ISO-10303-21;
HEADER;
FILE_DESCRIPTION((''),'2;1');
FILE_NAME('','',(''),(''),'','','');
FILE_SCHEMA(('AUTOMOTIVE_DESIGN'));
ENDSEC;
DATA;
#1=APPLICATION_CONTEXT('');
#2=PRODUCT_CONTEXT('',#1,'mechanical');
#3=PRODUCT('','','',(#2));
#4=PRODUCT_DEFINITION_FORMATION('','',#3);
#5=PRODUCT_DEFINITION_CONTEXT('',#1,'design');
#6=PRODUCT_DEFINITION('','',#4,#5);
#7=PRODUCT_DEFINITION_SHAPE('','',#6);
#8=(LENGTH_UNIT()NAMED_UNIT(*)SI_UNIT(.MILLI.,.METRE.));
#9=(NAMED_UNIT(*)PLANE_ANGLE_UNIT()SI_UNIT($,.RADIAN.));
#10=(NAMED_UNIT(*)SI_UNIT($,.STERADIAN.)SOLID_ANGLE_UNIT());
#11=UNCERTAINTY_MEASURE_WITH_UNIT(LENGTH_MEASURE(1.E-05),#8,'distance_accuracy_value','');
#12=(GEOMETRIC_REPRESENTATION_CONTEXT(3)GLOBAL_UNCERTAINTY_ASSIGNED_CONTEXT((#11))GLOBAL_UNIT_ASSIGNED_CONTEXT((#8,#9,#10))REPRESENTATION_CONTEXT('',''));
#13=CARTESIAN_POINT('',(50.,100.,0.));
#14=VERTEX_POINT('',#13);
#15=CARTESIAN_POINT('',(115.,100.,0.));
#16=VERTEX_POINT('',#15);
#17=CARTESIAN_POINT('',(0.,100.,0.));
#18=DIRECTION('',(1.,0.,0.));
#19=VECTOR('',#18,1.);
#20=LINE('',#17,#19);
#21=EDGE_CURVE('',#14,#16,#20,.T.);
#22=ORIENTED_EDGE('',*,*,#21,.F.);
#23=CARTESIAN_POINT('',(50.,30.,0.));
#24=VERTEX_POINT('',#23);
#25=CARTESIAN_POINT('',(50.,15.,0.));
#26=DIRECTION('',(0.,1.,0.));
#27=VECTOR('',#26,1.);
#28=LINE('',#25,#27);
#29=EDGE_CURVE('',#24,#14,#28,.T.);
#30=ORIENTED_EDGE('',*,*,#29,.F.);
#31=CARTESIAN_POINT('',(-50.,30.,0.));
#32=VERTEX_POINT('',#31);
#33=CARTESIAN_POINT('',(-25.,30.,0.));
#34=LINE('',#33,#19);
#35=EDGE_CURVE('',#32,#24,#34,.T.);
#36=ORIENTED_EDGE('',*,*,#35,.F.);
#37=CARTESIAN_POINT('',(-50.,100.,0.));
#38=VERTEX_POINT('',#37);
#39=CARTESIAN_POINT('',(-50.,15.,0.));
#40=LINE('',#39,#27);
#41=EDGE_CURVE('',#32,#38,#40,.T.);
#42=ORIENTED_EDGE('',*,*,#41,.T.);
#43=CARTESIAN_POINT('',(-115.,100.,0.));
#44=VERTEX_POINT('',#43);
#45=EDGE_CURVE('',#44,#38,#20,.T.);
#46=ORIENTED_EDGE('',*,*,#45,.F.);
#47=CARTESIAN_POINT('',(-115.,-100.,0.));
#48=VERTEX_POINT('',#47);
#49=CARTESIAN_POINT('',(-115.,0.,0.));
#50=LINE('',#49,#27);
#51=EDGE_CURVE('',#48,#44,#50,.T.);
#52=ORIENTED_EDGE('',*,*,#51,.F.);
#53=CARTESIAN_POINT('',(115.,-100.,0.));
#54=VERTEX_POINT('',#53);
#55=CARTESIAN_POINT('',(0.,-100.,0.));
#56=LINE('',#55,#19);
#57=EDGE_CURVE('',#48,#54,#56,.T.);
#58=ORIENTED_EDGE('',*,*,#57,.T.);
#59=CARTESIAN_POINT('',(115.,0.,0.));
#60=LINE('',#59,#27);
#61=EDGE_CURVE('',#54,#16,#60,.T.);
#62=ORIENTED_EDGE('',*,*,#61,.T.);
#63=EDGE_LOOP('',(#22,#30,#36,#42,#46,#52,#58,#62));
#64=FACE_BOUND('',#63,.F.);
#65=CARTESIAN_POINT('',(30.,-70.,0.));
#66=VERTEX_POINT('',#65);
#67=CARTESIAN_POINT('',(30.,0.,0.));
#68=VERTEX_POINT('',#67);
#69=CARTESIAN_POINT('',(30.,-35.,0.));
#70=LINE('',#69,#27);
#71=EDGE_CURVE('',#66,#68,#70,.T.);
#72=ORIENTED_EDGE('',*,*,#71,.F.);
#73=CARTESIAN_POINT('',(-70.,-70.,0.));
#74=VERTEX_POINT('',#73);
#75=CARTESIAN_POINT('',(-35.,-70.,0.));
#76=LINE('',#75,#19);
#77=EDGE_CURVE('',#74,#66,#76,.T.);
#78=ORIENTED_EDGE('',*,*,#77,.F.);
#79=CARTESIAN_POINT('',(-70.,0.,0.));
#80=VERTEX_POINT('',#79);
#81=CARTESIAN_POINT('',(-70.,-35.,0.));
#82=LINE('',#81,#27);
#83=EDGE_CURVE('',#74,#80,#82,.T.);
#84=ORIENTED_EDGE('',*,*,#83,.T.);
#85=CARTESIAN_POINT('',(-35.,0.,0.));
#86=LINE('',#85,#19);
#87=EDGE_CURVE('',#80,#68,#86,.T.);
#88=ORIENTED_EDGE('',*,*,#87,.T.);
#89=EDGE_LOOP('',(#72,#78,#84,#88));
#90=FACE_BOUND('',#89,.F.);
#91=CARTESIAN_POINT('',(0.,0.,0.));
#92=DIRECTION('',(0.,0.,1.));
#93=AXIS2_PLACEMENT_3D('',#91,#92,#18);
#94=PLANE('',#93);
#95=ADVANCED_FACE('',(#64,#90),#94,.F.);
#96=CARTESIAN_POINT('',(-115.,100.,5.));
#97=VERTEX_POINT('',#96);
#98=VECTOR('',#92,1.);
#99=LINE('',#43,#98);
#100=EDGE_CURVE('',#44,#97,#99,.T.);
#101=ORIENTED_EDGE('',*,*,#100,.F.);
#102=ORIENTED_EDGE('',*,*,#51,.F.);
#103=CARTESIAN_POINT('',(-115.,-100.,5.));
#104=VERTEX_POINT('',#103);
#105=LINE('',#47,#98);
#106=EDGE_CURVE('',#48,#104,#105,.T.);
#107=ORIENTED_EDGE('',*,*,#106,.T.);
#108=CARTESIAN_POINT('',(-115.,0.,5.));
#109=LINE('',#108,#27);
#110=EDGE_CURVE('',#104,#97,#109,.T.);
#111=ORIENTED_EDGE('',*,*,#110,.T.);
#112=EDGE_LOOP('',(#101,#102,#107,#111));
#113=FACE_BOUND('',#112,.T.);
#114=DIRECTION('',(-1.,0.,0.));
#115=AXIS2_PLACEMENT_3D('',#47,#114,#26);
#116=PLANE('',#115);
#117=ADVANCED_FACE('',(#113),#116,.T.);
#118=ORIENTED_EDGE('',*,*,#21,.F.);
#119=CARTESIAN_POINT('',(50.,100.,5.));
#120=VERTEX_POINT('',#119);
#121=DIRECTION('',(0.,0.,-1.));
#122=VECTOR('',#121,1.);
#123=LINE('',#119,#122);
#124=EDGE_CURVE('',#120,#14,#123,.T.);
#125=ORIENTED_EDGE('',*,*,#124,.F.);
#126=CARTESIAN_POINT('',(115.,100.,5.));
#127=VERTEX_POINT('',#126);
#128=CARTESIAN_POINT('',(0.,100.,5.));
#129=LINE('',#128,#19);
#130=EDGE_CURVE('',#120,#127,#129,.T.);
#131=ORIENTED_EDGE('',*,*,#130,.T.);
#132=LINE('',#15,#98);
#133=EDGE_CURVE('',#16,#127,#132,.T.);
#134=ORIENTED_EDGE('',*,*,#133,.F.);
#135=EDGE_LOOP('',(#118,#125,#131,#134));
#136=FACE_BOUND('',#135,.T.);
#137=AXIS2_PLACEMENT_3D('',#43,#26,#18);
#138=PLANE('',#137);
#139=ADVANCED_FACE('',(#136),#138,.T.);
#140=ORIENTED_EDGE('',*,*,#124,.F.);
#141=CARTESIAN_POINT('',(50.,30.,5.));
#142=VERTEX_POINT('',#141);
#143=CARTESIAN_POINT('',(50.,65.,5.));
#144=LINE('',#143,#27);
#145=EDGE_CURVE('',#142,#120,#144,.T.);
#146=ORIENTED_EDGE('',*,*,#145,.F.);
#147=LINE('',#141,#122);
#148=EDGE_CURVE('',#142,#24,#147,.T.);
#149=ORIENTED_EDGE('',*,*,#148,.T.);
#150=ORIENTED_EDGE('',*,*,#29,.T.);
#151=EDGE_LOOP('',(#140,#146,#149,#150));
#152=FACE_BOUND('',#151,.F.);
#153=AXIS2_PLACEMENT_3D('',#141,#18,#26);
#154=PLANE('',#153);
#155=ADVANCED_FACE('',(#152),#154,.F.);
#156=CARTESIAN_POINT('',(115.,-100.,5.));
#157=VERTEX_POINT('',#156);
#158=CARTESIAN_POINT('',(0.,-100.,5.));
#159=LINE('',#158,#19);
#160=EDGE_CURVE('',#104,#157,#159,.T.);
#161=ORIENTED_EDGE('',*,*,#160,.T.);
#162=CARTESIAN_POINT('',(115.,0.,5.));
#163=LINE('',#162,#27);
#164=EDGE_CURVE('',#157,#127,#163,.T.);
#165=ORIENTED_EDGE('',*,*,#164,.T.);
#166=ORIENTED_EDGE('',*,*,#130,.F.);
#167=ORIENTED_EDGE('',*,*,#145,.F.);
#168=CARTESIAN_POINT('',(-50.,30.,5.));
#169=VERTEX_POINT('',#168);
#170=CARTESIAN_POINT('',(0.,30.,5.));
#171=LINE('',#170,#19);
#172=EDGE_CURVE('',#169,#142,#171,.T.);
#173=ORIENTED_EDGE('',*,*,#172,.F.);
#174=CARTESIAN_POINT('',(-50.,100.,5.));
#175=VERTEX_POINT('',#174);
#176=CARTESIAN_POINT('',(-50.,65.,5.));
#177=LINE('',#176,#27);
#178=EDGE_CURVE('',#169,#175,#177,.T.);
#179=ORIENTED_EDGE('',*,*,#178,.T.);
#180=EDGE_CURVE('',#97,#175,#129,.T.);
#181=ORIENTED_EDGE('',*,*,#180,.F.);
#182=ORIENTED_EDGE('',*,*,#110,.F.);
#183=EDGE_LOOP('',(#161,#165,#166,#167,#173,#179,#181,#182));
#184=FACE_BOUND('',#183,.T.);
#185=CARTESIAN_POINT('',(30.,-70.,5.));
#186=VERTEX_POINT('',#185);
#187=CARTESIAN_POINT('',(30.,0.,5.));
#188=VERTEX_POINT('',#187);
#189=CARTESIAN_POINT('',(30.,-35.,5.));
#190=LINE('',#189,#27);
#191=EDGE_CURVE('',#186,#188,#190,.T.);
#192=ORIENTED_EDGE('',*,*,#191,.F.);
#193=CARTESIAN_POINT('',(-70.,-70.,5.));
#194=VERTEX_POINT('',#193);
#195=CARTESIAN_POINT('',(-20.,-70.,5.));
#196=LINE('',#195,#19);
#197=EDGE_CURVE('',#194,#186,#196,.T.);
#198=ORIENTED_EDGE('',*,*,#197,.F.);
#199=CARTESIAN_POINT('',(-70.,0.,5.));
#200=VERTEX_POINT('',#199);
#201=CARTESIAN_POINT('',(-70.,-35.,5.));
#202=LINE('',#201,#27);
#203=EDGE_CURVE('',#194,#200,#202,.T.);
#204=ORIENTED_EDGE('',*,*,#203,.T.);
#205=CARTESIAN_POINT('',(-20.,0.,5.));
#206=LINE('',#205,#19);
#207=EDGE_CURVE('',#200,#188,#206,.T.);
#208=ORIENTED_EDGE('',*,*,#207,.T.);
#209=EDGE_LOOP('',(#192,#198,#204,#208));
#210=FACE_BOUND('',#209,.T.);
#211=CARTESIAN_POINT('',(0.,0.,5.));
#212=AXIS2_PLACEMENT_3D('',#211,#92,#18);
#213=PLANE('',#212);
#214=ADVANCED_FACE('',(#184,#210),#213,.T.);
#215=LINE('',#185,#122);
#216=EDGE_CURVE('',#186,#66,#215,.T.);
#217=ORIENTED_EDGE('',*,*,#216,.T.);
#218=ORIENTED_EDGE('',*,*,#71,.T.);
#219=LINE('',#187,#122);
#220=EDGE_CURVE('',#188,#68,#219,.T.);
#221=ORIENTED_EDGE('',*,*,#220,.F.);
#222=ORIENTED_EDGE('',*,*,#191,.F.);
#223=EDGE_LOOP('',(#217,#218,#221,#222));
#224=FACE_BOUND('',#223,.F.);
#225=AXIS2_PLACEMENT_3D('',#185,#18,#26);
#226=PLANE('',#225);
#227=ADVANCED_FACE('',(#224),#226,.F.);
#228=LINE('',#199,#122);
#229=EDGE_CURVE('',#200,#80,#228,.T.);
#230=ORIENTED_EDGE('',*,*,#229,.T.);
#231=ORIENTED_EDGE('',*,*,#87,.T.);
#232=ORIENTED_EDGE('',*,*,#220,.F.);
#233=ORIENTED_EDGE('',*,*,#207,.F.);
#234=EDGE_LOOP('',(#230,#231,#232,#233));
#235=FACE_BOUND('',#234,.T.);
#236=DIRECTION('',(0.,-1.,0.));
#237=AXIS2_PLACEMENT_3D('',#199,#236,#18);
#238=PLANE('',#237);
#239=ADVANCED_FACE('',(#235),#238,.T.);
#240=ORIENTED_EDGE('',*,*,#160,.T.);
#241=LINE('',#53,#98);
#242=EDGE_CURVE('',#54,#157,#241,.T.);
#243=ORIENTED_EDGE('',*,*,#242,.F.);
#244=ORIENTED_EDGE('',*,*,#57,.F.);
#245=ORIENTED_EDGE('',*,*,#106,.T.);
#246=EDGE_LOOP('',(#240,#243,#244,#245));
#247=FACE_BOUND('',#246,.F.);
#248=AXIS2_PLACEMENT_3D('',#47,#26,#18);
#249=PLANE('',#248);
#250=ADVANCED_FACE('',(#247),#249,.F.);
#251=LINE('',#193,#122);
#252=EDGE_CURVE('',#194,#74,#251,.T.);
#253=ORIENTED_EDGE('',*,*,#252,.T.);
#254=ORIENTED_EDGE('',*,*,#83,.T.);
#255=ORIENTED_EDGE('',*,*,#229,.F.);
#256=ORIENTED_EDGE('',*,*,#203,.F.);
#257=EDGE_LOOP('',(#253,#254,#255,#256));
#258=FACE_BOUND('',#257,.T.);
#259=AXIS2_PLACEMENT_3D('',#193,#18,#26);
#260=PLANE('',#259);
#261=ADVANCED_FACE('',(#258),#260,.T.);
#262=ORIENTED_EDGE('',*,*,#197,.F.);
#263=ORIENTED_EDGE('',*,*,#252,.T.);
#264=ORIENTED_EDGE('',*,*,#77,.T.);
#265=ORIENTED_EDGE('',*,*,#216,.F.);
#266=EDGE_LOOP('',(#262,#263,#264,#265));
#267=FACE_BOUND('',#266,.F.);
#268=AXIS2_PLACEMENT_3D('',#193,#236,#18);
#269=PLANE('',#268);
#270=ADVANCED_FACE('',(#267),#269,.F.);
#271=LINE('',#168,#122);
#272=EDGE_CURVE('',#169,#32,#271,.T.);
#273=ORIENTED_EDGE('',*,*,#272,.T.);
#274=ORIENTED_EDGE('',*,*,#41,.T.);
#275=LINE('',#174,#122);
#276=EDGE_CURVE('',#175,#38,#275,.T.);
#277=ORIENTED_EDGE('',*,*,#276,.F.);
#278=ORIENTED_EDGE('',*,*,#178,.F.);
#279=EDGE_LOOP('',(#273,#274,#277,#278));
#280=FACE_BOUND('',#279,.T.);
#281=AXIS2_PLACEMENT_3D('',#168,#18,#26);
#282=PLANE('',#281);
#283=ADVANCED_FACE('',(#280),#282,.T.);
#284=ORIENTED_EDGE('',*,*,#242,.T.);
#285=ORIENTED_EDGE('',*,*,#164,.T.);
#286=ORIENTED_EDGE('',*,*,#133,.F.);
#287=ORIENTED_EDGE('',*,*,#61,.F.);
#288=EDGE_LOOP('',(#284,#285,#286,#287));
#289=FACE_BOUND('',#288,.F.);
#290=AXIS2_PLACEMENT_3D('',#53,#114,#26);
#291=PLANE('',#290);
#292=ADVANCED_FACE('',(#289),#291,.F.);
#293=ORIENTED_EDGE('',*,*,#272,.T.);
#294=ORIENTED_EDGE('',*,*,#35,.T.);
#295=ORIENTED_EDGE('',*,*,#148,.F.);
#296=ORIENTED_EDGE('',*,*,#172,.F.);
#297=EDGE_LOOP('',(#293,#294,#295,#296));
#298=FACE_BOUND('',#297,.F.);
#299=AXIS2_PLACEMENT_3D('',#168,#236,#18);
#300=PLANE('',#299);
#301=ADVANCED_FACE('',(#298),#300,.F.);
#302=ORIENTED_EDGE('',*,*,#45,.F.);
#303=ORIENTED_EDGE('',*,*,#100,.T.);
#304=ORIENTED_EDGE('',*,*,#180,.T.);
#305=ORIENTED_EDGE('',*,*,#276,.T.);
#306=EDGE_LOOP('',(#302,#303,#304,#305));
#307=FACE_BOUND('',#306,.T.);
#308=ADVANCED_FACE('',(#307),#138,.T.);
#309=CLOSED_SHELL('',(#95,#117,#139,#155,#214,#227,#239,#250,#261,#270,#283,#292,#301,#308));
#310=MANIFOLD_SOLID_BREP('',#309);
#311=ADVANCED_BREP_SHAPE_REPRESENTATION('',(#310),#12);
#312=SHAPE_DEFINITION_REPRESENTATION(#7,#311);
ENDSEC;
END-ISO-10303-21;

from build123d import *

# Parameters (mm, degrees)
F0_W     = 230
F0_H     = 200
F1_DEPTH = 5
F2_W     = 100
F2_H     = 70
F3_DEPTH = 25


with BuildPart() as f1:
    # F0 (on Top) → F1 (new body)
    with BuildSketch(Plane.XY):
        Rectangle(F0_W, F0_H)
    extrude(amount=F1_DEPTH)

    # F2 (on face) → F3 (cut)
    with BuildSketch(Plane.XY.offset(5)):
        with Locations((0, 65)):
            Rectangle(F2_W, F2_H)
        with Locations((-20, -35)):
            Rectangle(F2_W, F2_H)
    extrude(amount=-F3_DEPTH, mode=Mode.SUBTRACT)


solid = f1.part
